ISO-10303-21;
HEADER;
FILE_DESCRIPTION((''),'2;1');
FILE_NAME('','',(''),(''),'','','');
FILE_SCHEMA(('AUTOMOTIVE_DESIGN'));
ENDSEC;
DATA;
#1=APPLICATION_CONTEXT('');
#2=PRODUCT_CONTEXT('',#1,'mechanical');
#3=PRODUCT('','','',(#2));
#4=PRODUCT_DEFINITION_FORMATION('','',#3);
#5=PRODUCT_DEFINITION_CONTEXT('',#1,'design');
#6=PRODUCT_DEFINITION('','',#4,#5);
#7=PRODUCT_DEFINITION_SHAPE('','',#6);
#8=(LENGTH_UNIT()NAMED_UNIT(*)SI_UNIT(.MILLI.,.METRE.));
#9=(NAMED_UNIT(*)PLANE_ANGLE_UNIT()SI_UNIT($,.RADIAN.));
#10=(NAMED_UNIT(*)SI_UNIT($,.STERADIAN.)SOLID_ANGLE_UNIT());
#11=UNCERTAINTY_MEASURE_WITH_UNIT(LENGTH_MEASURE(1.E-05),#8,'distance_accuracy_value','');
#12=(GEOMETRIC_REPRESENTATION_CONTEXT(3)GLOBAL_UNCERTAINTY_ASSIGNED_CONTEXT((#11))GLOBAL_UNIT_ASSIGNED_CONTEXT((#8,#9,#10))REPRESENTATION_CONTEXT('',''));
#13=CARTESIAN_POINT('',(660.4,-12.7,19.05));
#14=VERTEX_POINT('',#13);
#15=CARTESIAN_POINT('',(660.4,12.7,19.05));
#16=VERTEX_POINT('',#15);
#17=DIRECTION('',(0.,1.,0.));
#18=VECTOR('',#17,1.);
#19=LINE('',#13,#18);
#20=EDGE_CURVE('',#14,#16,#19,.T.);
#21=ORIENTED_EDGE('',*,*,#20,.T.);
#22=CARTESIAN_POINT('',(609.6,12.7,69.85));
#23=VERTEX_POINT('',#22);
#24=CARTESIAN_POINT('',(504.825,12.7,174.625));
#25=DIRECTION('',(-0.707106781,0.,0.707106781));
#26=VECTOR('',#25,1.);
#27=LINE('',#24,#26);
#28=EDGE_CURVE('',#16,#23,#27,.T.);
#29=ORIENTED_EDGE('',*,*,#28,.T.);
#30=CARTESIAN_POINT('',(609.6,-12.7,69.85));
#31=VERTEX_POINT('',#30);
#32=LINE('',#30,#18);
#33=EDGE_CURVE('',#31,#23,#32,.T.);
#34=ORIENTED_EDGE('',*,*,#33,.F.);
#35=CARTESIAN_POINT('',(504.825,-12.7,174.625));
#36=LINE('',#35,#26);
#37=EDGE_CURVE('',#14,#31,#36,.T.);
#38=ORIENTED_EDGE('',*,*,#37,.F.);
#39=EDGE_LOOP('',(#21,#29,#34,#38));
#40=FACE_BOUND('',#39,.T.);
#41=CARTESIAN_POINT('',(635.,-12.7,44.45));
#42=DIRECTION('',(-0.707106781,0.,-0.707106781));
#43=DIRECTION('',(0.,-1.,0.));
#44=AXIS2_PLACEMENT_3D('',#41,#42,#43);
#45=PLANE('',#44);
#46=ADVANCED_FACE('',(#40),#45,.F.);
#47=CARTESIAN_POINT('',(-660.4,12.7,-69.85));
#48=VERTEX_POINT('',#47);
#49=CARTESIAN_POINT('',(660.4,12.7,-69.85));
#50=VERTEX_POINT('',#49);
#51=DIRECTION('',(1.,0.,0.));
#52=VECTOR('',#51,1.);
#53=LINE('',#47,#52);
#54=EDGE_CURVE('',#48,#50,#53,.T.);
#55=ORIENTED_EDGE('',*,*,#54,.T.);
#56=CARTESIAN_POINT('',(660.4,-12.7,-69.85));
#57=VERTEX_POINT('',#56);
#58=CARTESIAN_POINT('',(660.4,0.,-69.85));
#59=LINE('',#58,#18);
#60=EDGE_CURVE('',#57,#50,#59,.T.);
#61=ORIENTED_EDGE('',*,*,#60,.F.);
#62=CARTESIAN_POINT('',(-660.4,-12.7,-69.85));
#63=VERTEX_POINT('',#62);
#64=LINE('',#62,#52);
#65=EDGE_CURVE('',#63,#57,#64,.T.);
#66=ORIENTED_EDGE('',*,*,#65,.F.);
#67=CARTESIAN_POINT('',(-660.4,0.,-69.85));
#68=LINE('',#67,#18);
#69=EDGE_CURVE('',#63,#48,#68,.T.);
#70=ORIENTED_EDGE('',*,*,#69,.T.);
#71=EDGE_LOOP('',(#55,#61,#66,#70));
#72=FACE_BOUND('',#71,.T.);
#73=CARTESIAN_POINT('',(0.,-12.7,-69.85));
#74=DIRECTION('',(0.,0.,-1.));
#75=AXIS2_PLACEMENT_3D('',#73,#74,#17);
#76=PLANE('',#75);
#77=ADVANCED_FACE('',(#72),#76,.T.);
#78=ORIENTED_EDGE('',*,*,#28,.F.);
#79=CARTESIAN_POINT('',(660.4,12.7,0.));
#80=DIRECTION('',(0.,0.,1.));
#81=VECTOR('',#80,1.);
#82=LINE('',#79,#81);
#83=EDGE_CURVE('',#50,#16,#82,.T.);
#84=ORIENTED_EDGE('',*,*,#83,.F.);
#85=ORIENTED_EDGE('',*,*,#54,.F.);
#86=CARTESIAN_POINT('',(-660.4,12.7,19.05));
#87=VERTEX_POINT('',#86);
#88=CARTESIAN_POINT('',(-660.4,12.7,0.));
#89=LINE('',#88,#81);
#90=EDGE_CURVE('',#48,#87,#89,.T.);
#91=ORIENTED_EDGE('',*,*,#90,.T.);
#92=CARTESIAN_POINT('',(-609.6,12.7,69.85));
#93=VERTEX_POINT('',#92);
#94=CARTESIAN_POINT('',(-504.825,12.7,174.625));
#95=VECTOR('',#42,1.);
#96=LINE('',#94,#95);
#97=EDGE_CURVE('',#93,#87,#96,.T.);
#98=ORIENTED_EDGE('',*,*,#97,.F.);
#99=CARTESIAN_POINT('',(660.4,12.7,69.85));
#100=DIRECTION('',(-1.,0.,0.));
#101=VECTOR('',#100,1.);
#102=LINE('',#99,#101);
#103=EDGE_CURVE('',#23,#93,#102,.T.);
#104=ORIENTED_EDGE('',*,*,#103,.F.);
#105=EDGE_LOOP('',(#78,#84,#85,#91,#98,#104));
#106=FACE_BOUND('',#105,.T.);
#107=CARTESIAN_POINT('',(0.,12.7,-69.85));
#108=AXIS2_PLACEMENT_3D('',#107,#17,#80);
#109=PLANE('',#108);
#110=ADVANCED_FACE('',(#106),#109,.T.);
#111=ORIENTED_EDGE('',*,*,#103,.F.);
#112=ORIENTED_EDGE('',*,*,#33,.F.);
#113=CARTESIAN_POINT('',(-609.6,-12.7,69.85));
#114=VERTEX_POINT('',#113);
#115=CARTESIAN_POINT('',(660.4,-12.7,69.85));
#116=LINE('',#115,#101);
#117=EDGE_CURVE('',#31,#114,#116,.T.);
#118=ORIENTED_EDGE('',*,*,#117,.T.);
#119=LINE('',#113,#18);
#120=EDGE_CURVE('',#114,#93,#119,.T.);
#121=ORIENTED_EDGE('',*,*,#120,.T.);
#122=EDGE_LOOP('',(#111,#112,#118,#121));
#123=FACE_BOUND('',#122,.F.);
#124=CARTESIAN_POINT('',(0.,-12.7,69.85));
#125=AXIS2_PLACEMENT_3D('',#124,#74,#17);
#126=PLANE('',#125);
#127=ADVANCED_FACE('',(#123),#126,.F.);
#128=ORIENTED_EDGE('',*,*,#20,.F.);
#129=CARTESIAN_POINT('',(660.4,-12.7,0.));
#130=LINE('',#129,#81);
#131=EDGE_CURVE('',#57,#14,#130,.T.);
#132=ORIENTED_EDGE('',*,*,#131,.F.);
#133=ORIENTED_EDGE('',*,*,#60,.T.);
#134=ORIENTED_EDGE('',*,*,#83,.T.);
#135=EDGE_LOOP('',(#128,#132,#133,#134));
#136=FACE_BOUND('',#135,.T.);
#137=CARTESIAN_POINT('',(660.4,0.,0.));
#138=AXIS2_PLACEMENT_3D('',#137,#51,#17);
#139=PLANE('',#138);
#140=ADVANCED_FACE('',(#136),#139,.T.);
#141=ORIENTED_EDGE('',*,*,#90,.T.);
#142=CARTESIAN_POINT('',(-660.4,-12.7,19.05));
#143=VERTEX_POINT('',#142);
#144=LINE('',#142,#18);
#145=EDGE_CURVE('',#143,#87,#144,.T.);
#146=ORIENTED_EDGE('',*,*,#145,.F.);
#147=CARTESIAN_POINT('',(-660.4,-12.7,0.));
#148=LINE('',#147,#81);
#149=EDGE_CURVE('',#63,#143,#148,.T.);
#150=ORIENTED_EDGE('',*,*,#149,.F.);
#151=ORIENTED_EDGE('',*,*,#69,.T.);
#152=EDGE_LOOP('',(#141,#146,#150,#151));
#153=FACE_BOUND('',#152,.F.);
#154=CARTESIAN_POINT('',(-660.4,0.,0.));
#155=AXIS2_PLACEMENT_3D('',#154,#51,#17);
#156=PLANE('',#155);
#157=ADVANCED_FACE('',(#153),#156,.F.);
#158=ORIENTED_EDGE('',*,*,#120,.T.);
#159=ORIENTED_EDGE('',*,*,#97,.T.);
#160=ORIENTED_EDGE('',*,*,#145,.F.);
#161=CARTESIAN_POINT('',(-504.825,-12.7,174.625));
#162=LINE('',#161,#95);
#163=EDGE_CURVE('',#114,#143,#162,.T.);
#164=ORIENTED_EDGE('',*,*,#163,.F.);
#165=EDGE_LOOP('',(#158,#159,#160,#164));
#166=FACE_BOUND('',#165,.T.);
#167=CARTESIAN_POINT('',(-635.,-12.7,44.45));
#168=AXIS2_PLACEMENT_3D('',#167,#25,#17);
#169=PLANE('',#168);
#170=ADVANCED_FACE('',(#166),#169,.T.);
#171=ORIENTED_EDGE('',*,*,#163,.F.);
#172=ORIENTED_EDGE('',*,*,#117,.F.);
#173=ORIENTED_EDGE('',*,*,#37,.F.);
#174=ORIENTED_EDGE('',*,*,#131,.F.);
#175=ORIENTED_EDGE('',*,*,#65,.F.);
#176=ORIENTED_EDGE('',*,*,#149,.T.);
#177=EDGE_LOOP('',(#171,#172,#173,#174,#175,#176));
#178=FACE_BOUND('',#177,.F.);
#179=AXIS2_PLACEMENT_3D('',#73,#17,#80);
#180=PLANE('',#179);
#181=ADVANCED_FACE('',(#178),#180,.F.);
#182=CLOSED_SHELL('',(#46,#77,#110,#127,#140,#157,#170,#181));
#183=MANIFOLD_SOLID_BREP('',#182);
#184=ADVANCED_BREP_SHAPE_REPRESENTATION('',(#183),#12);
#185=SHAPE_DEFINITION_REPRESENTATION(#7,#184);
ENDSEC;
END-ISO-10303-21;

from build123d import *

# Parameters (mm, degrees)
F0_W     = 25.4
F0_H     = 139.7
F1_DEPTH = 660.4
F2_SIZE  = 50.8


with BuildPart() as f1:
    # F0 (on Right) → F1 (new body, symmetric)
    with BuildSketch(Plane.YZ):
        Rectangle(F0_W, F0_H)
    extrude(amount=F1_DEPTH, both=True)

    # F2
    f2_edges = [f1.edges().sort_by_distance(p)[0] for p in [
        (660.4, 0, 69.85),
        (-660.4, 0, 69.85),
    ]]
    chamfer(f2_edges, length=F2_SIZE)


solid = f1.part
